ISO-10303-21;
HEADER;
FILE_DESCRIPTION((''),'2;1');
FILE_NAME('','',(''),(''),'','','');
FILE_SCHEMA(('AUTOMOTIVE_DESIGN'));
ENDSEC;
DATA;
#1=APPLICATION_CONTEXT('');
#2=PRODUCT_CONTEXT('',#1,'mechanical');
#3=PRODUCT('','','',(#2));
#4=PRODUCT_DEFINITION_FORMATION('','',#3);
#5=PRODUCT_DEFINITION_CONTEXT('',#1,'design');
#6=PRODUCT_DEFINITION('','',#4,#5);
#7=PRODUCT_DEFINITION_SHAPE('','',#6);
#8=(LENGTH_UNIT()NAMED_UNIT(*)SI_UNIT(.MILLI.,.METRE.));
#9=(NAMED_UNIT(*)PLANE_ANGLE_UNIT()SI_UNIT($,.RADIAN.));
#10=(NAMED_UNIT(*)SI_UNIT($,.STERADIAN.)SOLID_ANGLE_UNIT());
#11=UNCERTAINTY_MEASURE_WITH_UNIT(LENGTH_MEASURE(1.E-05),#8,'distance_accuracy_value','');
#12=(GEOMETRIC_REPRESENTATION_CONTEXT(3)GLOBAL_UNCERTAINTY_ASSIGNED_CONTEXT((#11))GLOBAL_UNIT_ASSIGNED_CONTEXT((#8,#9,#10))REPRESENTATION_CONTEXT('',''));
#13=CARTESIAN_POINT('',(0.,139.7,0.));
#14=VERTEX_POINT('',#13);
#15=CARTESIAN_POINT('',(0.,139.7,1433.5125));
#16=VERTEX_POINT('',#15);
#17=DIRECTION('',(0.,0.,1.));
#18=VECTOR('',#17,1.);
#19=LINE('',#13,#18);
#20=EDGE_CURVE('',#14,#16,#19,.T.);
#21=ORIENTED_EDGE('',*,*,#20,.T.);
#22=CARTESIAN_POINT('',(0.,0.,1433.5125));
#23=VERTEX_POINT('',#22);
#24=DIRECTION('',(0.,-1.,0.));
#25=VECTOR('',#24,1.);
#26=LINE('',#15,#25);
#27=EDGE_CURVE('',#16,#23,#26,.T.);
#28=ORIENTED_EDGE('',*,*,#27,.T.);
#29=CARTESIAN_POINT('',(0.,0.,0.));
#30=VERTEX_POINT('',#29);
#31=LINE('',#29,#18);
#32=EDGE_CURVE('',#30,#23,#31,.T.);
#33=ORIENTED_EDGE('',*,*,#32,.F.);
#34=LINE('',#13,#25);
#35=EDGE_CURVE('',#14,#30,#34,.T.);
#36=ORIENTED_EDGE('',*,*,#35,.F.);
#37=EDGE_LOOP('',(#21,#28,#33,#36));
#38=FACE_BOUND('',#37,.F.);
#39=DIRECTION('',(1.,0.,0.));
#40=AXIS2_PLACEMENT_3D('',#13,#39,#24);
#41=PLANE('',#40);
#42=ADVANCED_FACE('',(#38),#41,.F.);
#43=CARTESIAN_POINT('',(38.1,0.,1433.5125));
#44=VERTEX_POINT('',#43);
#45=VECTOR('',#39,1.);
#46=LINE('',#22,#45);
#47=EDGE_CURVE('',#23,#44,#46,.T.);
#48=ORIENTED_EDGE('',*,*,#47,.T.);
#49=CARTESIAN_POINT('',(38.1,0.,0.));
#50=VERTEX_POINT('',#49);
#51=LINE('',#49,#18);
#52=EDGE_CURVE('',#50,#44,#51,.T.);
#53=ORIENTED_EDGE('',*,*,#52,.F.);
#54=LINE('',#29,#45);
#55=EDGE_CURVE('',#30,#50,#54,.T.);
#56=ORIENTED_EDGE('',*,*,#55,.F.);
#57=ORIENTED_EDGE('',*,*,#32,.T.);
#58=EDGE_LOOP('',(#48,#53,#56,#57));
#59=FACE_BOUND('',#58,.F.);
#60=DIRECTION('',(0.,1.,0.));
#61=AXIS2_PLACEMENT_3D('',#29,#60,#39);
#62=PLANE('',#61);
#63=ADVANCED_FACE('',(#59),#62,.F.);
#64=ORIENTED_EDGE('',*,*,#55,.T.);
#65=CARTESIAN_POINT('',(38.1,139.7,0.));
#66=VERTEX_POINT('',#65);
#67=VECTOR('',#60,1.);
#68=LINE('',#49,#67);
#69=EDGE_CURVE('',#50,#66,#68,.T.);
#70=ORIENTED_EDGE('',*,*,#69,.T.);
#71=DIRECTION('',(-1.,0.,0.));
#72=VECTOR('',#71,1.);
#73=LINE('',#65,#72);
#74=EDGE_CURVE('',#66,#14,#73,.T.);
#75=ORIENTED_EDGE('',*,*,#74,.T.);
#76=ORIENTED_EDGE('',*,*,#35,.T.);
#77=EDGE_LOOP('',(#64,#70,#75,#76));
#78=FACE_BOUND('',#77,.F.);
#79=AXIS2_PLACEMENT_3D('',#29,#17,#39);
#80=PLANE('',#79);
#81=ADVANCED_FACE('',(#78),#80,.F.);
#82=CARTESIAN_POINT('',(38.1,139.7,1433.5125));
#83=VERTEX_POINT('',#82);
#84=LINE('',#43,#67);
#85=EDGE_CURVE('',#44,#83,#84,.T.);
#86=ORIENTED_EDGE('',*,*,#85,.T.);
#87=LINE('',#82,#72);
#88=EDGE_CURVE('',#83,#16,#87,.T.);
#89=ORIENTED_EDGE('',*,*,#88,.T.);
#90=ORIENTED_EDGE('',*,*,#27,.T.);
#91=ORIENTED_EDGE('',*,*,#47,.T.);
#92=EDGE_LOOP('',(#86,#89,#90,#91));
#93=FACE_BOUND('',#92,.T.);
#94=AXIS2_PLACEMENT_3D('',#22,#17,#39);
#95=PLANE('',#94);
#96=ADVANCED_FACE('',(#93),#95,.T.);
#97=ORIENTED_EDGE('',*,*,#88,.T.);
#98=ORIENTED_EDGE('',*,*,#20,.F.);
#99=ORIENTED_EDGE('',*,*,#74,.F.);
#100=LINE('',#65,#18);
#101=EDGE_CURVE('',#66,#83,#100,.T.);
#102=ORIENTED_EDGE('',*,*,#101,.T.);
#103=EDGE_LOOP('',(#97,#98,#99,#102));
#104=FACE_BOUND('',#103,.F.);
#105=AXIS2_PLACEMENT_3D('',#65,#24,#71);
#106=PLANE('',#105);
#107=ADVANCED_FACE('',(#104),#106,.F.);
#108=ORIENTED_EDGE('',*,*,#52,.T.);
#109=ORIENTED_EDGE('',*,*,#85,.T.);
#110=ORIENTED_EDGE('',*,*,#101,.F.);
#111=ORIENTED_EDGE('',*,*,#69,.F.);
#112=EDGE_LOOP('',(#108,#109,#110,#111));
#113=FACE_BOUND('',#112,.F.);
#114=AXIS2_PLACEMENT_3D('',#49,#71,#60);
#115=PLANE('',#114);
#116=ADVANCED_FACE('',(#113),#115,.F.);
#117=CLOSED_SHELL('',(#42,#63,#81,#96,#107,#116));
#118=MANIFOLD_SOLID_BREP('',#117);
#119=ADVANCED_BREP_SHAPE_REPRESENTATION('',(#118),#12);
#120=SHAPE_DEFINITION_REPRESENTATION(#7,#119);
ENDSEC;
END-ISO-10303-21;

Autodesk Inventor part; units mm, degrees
ref_plane "YZ Plane" through (0, 0, 0) normal (1, 0, 0) x (0, 1, 0)
ref_plane "XZ Plane" through (0, 0, 0) normal (0, 1, 0) x (-1, 0, 0)
ref_plane "XY Plane" through (0, 0, 0) normal (0, 0, 1) x (1, 0, 0)
sketch "Sketch1" plane through (0, 0, 0) normal (0, 0, 1) x (1, 0, 0)
  line L0 (0, 0) -> (38.1, 0)
  line L1 (38.1, 0) -> (38.1, 139.7)
  line L2 (38.1, 139.7) -> (0, 139.7)
  line L3 (0, 139.7) -> (0, 0)
  dimension "d0" = 38.1
  dimension "d1" = 139.7
extrude "Extrusion1" add sketch "Sketch1" along normal blind 1433.5125
properties part number "Joist" material "Wood (Birch)"
